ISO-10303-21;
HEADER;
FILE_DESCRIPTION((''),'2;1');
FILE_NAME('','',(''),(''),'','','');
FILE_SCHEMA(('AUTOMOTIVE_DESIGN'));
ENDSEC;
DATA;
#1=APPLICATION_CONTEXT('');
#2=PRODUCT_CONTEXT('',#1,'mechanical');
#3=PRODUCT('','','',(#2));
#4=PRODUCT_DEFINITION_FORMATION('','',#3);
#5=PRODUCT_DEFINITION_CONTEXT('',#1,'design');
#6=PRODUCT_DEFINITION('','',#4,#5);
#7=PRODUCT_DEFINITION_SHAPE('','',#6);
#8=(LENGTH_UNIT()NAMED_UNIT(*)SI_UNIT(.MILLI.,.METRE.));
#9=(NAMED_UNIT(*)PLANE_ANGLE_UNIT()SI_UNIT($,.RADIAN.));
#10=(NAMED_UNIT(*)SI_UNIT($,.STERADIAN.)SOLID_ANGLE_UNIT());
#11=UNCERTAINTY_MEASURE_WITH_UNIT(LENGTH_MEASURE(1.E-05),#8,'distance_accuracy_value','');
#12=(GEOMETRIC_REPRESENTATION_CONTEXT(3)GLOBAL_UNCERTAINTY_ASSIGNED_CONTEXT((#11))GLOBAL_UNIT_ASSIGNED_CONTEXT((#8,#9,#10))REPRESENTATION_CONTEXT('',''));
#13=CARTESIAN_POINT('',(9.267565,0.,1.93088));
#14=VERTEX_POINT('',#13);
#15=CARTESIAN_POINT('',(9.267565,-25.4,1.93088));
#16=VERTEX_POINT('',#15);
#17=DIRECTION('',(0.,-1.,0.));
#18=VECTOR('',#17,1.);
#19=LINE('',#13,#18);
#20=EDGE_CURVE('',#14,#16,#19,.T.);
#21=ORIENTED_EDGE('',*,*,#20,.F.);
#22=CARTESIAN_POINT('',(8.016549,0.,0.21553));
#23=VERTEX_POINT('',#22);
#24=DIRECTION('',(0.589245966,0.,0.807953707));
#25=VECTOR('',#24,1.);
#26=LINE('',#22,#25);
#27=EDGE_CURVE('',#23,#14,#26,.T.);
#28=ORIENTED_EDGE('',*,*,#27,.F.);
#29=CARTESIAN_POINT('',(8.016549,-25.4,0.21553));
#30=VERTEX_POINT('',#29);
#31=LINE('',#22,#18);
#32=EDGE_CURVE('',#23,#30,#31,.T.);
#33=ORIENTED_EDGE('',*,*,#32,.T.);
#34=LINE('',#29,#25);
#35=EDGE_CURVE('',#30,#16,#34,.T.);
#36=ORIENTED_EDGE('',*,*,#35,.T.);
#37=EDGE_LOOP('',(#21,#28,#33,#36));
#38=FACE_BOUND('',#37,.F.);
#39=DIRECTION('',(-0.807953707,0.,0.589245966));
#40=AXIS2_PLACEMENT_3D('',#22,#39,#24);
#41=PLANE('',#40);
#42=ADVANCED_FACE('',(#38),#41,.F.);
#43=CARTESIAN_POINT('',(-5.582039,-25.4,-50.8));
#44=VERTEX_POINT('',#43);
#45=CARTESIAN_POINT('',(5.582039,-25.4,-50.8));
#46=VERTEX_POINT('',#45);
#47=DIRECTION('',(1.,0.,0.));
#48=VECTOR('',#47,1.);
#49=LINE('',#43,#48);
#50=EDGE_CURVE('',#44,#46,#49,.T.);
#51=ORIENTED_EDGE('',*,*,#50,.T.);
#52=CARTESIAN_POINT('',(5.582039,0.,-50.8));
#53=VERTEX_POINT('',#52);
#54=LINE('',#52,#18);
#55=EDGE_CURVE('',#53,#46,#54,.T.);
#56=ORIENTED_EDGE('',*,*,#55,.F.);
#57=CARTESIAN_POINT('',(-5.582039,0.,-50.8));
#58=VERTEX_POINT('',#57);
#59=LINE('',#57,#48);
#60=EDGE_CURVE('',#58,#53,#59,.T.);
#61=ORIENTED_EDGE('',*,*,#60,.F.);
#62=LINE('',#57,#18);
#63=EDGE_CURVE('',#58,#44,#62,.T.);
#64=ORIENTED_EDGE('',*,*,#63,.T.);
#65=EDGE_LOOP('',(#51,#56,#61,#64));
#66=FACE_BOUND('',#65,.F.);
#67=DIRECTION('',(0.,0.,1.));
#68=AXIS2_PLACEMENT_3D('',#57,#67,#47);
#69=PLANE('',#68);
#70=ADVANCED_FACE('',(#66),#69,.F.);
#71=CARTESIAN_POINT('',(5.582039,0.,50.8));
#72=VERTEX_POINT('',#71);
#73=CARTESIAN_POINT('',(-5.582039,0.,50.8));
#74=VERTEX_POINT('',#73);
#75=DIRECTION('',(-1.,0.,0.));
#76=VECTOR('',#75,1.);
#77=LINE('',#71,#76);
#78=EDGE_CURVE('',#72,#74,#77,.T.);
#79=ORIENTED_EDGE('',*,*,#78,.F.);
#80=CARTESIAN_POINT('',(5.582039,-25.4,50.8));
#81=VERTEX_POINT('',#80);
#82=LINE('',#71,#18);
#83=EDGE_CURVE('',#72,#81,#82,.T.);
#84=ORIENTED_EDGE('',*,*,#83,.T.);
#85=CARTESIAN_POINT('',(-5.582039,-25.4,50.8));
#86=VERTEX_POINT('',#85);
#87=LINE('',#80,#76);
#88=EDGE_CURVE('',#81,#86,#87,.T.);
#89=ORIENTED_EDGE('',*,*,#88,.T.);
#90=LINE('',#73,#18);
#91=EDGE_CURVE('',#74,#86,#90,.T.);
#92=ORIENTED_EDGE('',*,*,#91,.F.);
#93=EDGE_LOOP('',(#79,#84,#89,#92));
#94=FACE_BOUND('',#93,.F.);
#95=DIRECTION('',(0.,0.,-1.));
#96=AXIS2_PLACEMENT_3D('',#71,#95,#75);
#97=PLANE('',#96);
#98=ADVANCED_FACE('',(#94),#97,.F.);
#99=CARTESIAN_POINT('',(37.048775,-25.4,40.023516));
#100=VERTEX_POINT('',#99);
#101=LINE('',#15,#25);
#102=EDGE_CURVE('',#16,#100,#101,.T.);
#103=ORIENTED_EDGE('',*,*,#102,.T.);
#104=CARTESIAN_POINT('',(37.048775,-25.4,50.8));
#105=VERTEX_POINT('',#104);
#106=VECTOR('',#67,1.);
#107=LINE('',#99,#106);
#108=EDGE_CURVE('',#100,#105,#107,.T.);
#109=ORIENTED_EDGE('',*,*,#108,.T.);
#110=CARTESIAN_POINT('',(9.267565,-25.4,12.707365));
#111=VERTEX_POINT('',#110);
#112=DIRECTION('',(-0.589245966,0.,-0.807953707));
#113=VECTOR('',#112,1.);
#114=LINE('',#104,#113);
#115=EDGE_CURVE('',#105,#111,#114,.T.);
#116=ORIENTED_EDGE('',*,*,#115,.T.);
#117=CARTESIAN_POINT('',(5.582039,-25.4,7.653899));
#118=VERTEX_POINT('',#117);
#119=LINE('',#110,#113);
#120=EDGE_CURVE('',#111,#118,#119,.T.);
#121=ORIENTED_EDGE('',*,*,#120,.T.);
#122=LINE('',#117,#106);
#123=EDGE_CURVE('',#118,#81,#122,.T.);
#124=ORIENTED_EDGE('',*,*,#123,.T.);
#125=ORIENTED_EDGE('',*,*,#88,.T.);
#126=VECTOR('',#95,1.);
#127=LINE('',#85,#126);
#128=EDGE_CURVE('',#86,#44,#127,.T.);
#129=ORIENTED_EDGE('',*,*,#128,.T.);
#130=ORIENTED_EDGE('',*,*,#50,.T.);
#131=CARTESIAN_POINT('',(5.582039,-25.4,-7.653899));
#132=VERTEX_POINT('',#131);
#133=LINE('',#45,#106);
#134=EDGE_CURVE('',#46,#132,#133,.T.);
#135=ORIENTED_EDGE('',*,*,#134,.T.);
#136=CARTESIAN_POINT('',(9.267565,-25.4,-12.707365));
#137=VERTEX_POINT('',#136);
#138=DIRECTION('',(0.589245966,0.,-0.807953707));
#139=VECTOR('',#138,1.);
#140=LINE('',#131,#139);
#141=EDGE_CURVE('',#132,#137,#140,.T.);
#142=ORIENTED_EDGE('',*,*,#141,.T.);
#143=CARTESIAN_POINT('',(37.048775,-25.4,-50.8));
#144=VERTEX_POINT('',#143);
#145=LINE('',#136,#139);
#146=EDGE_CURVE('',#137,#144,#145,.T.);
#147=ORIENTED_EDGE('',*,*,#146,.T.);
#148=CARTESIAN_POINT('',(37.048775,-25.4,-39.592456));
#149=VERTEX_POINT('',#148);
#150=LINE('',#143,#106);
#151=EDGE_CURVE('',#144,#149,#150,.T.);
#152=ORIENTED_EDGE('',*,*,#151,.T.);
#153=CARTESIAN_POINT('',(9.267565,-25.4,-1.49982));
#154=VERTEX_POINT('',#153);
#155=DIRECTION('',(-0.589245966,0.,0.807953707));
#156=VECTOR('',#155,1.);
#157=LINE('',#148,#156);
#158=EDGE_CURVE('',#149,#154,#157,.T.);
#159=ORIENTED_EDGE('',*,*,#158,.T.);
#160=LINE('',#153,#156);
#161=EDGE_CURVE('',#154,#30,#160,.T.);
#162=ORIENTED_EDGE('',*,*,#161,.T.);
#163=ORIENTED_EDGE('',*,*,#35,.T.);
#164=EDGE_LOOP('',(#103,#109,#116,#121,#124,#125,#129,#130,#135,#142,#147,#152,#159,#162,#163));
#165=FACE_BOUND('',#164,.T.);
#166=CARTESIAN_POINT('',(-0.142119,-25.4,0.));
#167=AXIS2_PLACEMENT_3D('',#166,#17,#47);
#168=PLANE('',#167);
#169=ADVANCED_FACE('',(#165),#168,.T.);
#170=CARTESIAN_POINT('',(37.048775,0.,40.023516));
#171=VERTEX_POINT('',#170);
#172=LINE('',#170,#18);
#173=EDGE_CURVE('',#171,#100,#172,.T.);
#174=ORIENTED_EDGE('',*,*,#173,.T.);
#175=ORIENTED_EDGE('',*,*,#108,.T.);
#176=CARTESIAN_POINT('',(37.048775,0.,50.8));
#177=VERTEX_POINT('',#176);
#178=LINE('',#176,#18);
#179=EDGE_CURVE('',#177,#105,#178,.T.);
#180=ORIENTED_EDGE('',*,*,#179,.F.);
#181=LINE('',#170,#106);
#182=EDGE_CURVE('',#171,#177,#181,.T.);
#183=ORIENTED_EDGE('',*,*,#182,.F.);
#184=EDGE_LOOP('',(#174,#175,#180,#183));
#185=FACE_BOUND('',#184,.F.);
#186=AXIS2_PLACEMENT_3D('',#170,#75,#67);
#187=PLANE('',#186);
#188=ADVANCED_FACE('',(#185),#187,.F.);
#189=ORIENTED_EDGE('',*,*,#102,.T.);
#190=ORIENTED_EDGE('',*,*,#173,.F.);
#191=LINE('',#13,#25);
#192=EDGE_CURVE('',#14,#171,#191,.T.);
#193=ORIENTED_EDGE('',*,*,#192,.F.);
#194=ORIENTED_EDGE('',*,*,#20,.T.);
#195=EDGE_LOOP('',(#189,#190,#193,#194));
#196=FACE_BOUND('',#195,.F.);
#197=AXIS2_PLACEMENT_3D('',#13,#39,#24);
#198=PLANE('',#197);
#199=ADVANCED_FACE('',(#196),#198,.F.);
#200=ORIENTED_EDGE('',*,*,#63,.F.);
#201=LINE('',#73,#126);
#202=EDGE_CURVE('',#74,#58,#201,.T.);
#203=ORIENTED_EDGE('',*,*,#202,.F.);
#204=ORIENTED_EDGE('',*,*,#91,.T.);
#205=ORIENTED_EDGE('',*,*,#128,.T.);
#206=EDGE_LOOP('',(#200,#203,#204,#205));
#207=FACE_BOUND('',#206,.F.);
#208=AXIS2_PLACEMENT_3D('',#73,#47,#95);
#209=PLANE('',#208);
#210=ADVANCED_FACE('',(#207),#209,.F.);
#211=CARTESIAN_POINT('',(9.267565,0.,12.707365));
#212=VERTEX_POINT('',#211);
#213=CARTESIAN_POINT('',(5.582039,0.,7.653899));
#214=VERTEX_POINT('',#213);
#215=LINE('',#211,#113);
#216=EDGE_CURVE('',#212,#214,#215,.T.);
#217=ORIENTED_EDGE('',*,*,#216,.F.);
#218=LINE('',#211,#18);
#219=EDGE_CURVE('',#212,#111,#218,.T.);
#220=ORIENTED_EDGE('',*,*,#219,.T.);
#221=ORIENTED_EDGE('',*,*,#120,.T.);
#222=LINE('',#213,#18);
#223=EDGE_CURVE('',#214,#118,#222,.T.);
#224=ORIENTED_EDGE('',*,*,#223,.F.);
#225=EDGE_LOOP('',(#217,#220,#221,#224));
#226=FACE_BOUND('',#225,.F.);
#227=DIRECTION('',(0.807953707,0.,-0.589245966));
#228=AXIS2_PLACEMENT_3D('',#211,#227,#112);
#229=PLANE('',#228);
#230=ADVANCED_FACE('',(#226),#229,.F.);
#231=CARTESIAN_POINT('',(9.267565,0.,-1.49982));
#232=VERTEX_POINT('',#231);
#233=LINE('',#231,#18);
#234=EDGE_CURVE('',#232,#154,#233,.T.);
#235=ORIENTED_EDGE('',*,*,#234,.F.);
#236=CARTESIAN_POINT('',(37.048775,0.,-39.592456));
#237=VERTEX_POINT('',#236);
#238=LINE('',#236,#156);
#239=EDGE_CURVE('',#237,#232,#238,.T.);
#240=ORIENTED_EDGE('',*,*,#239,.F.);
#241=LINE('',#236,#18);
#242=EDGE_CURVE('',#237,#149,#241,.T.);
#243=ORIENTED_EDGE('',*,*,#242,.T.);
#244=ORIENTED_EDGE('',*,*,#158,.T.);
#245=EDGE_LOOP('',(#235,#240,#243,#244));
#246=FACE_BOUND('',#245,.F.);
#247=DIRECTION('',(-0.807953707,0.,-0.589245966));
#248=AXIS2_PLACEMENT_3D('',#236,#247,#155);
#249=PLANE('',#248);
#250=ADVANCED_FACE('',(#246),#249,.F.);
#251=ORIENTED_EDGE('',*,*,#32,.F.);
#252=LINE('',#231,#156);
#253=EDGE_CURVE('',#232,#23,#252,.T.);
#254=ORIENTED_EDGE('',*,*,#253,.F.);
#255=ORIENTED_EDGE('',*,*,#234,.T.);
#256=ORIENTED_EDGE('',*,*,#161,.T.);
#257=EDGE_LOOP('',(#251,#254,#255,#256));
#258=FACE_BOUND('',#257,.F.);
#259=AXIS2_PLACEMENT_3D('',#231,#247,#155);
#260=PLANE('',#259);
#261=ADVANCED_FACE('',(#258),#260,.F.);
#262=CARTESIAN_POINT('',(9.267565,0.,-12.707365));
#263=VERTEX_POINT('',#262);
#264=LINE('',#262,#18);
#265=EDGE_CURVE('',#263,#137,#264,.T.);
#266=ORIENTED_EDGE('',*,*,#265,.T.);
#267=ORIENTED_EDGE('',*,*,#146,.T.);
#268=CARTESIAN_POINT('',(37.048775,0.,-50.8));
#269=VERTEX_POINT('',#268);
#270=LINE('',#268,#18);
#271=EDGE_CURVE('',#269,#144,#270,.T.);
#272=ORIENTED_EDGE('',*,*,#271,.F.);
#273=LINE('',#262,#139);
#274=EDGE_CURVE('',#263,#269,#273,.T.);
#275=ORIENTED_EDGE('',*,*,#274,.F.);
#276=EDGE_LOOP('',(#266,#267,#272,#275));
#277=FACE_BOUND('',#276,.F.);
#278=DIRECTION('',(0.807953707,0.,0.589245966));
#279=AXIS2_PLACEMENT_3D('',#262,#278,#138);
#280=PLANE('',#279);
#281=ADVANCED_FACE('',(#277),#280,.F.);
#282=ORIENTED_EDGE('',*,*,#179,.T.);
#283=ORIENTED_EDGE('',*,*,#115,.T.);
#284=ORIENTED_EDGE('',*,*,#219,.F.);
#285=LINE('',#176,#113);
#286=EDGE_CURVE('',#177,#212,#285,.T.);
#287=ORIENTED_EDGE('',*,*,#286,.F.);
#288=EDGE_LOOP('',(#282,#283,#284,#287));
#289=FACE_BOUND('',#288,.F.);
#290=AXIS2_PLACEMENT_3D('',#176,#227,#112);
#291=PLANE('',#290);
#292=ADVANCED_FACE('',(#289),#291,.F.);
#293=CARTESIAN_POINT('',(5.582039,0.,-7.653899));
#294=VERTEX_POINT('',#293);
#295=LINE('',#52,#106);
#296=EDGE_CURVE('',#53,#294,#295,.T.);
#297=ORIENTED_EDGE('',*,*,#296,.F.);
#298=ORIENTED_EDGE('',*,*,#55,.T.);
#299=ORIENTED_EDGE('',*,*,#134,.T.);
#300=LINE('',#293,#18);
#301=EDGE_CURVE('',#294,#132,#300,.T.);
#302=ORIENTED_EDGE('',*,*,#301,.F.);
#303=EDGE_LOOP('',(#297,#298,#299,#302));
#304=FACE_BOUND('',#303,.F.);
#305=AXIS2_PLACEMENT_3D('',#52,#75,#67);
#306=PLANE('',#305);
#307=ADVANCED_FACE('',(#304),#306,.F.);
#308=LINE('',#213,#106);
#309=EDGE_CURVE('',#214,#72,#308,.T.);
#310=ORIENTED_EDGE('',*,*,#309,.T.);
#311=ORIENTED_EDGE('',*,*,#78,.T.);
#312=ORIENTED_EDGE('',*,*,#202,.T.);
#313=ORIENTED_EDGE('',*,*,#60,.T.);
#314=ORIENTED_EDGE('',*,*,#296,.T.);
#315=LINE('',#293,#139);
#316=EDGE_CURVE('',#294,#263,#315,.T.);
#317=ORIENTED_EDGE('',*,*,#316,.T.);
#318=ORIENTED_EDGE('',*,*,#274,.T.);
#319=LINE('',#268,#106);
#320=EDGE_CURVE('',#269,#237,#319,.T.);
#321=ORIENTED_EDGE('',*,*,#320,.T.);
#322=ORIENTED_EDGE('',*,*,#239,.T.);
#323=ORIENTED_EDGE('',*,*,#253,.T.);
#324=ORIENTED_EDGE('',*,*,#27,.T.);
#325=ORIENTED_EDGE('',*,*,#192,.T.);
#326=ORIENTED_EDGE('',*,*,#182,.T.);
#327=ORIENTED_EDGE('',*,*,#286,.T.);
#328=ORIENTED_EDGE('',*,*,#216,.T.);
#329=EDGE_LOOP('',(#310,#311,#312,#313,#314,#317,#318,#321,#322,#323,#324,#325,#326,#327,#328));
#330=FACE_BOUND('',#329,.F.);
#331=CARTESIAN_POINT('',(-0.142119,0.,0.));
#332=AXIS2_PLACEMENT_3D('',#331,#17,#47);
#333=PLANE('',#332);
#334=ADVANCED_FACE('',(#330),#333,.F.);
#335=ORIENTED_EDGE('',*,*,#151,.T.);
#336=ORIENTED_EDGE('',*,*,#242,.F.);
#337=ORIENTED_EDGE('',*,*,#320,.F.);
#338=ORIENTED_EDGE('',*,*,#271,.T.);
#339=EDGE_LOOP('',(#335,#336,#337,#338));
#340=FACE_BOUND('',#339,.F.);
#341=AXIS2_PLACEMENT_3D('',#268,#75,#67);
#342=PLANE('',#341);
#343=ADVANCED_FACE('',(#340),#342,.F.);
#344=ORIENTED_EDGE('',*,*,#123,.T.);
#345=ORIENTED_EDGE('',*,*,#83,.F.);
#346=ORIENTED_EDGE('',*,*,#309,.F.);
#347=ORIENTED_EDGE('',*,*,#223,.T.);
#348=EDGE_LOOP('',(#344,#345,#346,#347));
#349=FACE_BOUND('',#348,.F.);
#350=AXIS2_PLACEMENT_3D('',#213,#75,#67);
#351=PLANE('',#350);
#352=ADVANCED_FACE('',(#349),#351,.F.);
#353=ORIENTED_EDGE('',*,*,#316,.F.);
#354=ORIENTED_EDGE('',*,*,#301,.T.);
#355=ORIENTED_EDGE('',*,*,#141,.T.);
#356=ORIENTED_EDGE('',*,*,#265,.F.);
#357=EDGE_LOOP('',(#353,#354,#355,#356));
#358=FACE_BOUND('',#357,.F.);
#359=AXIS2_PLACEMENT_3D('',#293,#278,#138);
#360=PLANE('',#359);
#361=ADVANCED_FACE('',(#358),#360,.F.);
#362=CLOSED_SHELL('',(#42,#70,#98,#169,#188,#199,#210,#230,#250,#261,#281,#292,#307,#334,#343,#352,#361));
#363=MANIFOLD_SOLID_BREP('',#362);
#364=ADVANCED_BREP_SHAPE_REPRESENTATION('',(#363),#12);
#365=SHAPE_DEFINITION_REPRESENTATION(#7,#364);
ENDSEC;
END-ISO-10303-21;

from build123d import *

# Parameters (mm, degrees)
F1_DEPTH = 25.4


with BuildPart() as f1:
    # F0 (on Front) → F1 (new body)
    with BuildSketch(Plane.XZ):
        Polygon((-5.5820390541, -50.8), (5.5820390541, -50.8), (5.5820390541, -7.6538990626), (0, 0), (5.5820390541, 7.6538990626), (5.5820390541, 50.8), (-5.5820390541, 50.8), align=None)
        Polygon((9.267564863, 12.7073646976), (9.267564863, 1.9308802238), (37.0487749617, 40.0235155262), (37.0487749617, 50.8), align=None)
        Polygon((9.267564863, -1.4998204787), (9.267564863, -12.7073646976), (37.0487749617, -50.8), (37.0487749617, -39.5924557811), align=None)
        Polygon((5.5820390541, -3.1225854113), (5.5820390541, -7.6538990626), (9.267564863, -12.7073646976), (9.267564863, -1.4998204787), (8.0165485412, 0.2155298725), align=None)
        Polygon((5.5820390541, 7.6538990626), (5.5820390541, 3.5536451563), (8.0165485412, 0.2155298725), (9.267564863, 1.9308802238), (9.267564863, 12.7073646976), align=None)
        Polygon((0, 0), (5.5820390541, -7.6538990626), (5.5820390541, -3.1225854113), (5.5820390541, 3.5536451563), (5.5820390541, 7.6538990626), align=None)
        Polygon((5.5820390541, 3.5536451563), (5.5820390541, -3.1225854113), (8.0165485412, 0.2155298725), align=None)
    extrude(amount=F1_DEPTH)


solid = f1.part
